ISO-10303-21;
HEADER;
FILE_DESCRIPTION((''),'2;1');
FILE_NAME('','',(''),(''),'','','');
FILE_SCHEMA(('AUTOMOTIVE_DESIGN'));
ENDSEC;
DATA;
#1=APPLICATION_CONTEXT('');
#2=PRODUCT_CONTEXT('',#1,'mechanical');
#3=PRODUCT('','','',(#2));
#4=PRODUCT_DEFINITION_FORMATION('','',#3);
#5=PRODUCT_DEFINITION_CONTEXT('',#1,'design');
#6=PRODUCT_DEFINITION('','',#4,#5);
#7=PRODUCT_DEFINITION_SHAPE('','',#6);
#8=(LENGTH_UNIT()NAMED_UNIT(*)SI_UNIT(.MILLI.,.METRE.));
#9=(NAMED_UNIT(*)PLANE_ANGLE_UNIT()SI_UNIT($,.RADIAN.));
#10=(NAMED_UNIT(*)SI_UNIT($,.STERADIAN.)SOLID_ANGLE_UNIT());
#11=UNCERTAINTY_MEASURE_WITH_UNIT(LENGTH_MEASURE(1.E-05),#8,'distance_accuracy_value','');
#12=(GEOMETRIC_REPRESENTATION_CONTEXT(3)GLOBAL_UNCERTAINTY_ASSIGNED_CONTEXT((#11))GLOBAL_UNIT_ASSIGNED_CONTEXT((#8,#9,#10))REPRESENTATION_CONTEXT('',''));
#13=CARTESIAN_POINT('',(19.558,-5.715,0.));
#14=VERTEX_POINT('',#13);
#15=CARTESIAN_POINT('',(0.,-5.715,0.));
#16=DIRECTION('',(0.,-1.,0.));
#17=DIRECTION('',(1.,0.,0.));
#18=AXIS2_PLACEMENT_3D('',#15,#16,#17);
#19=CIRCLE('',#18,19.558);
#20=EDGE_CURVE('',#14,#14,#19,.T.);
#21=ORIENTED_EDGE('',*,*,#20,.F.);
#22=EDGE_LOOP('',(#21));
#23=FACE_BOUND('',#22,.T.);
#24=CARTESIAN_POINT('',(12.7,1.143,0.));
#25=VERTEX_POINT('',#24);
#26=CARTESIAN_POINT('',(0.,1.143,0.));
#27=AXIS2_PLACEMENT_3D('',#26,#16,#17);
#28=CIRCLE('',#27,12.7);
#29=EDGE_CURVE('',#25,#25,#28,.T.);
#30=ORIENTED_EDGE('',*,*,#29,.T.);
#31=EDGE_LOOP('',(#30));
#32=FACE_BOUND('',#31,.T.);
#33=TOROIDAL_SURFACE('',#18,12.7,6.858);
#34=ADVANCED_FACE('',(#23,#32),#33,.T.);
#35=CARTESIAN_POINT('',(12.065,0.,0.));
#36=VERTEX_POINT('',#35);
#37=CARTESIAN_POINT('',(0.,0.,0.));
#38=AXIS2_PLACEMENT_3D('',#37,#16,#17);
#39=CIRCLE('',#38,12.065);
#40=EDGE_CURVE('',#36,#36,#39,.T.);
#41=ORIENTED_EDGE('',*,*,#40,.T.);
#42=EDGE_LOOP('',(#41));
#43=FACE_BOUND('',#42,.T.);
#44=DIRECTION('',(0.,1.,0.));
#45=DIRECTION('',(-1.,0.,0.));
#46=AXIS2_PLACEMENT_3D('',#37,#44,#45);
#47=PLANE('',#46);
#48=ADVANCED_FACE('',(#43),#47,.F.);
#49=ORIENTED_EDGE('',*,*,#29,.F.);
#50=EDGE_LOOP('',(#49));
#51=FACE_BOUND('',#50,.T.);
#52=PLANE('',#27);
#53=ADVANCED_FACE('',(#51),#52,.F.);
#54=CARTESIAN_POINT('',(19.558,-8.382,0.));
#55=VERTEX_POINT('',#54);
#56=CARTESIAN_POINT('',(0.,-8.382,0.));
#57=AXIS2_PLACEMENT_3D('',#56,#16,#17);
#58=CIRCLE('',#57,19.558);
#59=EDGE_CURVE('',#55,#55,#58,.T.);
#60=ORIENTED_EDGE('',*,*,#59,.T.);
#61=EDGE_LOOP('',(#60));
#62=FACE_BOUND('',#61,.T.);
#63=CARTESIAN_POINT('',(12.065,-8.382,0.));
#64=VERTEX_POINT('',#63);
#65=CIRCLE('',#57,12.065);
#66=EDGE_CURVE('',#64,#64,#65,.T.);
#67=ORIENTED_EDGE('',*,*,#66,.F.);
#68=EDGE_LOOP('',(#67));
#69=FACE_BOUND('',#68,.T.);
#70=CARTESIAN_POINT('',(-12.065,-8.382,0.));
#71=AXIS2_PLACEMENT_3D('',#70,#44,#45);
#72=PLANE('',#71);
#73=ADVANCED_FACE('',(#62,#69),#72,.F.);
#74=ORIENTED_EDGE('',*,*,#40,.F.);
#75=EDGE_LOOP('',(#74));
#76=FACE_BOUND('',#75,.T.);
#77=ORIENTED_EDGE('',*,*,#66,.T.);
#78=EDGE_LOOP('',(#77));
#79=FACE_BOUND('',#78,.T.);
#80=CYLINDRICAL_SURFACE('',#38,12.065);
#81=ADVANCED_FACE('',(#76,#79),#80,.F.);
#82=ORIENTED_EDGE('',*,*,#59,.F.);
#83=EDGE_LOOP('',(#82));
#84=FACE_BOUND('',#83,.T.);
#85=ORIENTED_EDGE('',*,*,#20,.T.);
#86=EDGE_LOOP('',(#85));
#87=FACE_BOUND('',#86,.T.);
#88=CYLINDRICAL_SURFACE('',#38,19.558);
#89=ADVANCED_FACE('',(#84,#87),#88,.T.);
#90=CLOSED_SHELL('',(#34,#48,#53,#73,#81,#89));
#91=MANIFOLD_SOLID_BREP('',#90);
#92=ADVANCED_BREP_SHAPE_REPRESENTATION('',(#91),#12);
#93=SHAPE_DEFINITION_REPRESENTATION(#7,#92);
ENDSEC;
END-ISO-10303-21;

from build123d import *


with BuildPart() as part:
    # Sketch1 → Revolve1 (revolve)
    with BuildSketch(Plane.XY):
        with BuildLine():
            Line((-12.065, 0), (-12.065, -8.382))
            Line((-12.065, -8.382), (-19.558, -8.382))
            Line((-19.558, -8.382), (-19.558, -5.715))
            ThreePointArc((-19.558, -5.715), (-17.549338305, -0.865661695), (-12.7, 1.143))
            Line((-12.7, 1.143), (0, 1.143))
            Line((0, 1.143), (0, 0))
            Line((0, 0), (-12.065, 0))
        make_face()
    revolve(axis=Axis((0, 0, 0), (0, 1, 0)))


solid = part.part
